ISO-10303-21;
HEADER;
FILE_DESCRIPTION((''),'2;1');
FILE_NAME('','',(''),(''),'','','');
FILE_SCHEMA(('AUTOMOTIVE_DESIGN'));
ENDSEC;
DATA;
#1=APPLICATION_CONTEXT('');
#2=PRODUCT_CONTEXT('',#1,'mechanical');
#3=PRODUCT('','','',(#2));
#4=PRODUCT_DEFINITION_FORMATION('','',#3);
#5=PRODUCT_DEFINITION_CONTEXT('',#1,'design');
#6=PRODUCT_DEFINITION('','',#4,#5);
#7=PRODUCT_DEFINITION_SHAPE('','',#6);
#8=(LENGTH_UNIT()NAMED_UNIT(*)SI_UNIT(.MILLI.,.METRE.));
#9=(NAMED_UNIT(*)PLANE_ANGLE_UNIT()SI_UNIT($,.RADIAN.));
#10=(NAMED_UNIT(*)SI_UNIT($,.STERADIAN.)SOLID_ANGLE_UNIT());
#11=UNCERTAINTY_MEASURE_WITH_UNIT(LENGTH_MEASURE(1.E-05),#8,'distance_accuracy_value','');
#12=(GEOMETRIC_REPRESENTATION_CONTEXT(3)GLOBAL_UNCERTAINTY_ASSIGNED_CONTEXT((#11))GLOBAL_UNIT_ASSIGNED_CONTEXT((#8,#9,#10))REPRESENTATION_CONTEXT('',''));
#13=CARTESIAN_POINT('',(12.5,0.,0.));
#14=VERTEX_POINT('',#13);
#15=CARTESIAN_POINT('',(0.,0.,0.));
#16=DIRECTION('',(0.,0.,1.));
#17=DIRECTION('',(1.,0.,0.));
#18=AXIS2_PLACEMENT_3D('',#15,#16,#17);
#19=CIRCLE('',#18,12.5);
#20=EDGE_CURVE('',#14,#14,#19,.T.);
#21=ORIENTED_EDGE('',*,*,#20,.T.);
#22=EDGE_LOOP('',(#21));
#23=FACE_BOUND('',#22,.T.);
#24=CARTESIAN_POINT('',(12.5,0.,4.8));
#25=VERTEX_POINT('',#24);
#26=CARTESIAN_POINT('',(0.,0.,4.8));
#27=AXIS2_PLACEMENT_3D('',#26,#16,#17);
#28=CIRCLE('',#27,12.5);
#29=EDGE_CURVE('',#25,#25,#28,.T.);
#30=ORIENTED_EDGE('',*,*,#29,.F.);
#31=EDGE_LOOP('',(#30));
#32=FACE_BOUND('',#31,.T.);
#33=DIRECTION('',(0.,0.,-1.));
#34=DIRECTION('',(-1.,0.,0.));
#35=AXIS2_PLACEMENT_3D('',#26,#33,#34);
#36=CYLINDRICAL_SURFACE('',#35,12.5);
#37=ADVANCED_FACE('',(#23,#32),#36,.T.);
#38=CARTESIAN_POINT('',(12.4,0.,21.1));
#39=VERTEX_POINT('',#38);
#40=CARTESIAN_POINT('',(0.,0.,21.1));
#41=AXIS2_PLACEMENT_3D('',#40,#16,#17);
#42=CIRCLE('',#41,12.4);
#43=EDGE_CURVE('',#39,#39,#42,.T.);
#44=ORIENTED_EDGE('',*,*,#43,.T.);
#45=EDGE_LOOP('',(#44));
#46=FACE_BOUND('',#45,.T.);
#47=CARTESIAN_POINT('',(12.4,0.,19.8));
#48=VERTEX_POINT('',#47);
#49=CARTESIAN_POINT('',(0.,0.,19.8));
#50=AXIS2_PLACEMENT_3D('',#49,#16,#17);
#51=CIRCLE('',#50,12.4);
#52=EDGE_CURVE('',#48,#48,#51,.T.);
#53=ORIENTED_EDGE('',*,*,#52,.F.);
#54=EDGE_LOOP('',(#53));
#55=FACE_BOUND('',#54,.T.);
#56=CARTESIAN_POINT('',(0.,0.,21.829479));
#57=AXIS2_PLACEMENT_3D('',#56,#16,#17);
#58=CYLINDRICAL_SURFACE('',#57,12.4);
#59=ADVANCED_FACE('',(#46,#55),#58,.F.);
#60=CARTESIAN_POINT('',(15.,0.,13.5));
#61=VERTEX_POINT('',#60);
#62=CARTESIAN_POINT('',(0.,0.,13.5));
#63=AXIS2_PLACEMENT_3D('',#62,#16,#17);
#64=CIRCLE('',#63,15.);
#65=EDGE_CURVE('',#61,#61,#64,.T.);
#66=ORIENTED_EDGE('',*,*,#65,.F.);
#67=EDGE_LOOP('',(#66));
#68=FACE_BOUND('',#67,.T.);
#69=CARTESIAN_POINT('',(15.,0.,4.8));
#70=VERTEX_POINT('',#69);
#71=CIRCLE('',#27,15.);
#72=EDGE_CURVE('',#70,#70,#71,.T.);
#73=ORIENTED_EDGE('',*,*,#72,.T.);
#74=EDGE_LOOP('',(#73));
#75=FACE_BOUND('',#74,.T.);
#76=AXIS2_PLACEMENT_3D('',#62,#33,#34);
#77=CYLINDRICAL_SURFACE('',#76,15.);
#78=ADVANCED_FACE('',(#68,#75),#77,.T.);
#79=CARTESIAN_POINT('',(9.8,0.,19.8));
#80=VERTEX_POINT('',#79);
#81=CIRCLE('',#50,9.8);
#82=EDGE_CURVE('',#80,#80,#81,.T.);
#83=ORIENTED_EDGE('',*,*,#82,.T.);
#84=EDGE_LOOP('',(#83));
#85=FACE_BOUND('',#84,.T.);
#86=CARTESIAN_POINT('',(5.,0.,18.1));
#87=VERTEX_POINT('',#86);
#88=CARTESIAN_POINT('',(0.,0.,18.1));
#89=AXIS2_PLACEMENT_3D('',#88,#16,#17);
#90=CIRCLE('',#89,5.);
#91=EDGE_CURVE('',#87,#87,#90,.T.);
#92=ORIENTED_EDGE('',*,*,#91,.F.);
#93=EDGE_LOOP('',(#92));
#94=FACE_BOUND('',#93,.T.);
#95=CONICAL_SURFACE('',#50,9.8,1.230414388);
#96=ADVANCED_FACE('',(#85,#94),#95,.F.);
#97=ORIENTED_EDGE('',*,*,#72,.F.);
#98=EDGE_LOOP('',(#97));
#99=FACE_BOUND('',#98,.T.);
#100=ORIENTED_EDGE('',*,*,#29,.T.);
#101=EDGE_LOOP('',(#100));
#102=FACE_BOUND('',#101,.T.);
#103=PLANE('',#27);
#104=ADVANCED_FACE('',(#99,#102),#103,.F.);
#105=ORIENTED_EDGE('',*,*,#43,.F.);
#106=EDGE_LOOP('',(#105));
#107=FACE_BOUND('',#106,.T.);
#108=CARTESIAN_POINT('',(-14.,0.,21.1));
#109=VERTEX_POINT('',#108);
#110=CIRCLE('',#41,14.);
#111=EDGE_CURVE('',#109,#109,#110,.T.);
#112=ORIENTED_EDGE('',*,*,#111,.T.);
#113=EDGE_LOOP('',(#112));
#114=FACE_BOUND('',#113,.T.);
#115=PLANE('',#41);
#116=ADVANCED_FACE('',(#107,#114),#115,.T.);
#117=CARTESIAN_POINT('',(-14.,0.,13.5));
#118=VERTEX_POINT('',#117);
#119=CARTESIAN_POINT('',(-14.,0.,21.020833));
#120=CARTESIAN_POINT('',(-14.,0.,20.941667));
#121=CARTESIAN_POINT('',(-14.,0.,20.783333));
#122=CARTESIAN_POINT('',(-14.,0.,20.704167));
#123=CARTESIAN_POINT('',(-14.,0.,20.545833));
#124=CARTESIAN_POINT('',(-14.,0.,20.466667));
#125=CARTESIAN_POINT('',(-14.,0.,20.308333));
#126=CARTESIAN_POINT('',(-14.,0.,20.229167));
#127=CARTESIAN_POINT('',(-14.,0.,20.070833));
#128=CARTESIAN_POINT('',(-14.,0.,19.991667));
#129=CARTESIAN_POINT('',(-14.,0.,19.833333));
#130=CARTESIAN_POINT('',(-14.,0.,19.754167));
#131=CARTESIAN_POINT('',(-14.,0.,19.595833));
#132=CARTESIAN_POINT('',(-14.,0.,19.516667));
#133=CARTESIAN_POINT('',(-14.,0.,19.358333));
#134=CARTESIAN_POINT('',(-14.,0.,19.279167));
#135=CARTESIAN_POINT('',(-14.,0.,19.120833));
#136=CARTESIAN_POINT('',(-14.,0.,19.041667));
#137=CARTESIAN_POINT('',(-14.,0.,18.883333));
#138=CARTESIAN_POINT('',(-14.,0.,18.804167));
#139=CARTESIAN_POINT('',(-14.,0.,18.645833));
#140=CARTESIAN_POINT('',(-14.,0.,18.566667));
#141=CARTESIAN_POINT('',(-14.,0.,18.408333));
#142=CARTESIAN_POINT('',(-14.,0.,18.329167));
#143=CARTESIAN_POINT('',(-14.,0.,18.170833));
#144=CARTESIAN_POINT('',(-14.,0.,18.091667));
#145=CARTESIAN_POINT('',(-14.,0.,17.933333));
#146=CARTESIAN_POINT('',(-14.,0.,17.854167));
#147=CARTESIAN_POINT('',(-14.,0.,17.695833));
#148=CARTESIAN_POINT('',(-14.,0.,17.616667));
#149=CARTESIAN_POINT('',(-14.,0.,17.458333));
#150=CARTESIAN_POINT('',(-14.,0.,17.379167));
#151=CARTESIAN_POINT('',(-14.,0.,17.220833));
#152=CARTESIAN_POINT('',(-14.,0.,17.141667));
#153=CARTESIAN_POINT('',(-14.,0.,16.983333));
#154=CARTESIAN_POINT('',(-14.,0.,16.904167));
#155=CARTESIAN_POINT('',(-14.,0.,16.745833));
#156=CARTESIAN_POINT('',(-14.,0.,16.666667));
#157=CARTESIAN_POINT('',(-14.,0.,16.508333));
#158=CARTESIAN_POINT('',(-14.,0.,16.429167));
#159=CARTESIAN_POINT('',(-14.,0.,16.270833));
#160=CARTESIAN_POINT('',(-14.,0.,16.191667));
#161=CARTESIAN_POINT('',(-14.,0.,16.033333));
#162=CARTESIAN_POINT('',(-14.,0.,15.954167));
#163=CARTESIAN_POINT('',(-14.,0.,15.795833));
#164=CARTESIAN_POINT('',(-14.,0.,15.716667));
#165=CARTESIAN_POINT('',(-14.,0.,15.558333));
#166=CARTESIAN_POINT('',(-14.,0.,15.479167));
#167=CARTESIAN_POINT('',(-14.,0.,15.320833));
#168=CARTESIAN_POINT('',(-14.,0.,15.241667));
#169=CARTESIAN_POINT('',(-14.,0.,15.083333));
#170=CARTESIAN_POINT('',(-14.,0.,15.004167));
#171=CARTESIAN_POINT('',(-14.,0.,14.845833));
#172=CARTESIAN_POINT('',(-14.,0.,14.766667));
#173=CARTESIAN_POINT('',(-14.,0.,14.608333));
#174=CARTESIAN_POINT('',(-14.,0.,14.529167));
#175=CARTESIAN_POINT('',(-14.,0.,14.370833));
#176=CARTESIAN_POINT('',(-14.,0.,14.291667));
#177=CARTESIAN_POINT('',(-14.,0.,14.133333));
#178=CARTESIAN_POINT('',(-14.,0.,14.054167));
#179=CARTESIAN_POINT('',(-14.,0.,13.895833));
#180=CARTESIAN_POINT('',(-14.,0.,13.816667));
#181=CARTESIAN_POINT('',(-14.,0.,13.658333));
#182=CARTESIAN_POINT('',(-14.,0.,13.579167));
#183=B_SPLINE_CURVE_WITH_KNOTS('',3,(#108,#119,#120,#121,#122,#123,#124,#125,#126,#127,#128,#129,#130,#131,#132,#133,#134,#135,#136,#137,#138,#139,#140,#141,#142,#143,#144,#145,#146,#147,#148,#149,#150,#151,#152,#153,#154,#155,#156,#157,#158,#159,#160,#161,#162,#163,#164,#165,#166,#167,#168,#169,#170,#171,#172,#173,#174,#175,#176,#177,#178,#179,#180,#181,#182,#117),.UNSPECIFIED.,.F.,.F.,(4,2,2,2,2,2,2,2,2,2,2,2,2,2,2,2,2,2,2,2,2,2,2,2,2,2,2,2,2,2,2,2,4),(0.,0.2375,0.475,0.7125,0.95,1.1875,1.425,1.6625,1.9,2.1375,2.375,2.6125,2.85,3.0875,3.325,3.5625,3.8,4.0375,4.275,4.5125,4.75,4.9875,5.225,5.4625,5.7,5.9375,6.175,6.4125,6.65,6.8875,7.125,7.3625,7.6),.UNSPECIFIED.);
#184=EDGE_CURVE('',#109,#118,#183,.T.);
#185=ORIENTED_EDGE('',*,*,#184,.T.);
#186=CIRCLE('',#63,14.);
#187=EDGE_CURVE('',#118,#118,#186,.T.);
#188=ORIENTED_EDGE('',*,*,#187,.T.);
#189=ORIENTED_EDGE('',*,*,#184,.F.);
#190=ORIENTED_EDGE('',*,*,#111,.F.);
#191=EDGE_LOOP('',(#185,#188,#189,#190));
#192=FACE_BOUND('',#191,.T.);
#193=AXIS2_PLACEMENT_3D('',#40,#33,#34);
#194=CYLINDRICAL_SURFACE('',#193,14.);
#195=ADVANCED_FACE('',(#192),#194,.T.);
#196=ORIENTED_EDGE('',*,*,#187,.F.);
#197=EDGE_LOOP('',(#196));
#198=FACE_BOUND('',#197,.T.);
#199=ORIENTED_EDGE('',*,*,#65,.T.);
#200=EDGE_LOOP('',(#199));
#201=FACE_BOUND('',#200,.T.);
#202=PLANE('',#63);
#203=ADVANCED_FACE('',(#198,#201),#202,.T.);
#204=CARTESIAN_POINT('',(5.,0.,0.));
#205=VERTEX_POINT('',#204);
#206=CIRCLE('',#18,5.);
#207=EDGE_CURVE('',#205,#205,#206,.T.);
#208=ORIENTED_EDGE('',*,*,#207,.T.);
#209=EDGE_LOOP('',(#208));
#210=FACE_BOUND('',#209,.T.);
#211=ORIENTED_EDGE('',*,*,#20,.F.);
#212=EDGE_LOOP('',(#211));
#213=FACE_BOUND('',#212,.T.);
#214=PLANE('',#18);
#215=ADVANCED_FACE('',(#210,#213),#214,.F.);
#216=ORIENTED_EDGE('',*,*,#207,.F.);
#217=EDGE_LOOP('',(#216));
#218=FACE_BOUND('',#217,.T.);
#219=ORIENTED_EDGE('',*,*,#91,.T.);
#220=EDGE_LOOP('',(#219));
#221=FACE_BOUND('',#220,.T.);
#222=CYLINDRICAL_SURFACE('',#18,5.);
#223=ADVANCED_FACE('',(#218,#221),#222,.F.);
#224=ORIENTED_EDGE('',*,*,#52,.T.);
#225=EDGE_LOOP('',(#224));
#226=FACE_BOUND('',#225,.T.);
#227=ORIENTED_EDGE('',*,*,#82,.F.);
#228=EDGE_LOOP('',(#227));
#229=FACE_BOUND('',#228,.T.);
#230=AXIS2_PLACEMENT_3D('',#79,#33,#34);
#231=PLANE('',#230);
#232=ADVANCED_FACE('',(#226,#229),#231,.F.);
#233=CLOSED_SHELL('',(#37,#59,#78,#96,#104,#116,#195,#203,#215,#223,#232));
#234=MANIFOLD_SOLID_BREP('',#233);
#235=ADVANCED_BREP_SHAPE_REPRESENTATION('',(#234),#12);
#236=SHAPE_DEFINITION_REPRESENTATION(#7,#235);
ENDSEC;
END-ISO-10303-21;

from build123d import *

# Parameters (mm, degrees)
SKETCH_1_R          = 12.5
EXTRUDE_1_DEPTH     = 4.8
SKETCH_2_R          = 15
EXTRUDE_2_DEPTH     = 8.7
SKETCH_3_R          = 14
EXTRUDE_3_DEPTH     = 7.6
SKETCH_6_R          = 5
CUT_EXTRUDE_1_DEPTH = 28.885659397


with BuildPart() as part:
    # 스케치1 → 보스-돌출1 (new body)
    with BuildSketch(Plane.XY):
        Circle(SKETCH_1_R)
    extrude(amount=EXTRUDE_1_DEPTH)

    # 스케치2 → 보스-돌출2 (add)
    with BuildSketch(Plane.XY.offset(4.8)):
        Circle(SKETCH_2_R)
    extrude(amount=EXTRUDE_2_DEPTH)

    # 스케치3 → 보스-돌출3 (add)
    with BuildSketch(Plane.XY.offset(13.5)):
        with Locations(Location((0, 0, 0), (0, 0, 180))):
            Circle(SKETCH_3_R)
    extrude(amount=EXTRUDE_3_DEPTH)

    # 스케치5 → 컷-회전1 (revolve, cut)
    with BuildSketch(Plane(origin=(0, 0, 0), x_dir=(1, 0, 0), z_dir=(0, 1, 0))):
        Polygon((0, -18.1), (5, -18.1), (9.8, -19.8), (12.4, -19.8), (12.4, -21.829479187), (0, -21.829479187), align=None)
    revolve(axis=Axis((0, 0, 21.829479187), (0, 0, -1)), mode=Mode.SUBTRACT)

    # 스케치6 → 컷-돌출1 (cut, through all)
    with BuildSketch(Plane.XY.offset(18.1)):
        Circle(SKETCH_6_R)
    extrude(amount=-CUT_EXTRUDE_1_DEPTH, mode=Mode.SUBTRACT)


solid = part.part
